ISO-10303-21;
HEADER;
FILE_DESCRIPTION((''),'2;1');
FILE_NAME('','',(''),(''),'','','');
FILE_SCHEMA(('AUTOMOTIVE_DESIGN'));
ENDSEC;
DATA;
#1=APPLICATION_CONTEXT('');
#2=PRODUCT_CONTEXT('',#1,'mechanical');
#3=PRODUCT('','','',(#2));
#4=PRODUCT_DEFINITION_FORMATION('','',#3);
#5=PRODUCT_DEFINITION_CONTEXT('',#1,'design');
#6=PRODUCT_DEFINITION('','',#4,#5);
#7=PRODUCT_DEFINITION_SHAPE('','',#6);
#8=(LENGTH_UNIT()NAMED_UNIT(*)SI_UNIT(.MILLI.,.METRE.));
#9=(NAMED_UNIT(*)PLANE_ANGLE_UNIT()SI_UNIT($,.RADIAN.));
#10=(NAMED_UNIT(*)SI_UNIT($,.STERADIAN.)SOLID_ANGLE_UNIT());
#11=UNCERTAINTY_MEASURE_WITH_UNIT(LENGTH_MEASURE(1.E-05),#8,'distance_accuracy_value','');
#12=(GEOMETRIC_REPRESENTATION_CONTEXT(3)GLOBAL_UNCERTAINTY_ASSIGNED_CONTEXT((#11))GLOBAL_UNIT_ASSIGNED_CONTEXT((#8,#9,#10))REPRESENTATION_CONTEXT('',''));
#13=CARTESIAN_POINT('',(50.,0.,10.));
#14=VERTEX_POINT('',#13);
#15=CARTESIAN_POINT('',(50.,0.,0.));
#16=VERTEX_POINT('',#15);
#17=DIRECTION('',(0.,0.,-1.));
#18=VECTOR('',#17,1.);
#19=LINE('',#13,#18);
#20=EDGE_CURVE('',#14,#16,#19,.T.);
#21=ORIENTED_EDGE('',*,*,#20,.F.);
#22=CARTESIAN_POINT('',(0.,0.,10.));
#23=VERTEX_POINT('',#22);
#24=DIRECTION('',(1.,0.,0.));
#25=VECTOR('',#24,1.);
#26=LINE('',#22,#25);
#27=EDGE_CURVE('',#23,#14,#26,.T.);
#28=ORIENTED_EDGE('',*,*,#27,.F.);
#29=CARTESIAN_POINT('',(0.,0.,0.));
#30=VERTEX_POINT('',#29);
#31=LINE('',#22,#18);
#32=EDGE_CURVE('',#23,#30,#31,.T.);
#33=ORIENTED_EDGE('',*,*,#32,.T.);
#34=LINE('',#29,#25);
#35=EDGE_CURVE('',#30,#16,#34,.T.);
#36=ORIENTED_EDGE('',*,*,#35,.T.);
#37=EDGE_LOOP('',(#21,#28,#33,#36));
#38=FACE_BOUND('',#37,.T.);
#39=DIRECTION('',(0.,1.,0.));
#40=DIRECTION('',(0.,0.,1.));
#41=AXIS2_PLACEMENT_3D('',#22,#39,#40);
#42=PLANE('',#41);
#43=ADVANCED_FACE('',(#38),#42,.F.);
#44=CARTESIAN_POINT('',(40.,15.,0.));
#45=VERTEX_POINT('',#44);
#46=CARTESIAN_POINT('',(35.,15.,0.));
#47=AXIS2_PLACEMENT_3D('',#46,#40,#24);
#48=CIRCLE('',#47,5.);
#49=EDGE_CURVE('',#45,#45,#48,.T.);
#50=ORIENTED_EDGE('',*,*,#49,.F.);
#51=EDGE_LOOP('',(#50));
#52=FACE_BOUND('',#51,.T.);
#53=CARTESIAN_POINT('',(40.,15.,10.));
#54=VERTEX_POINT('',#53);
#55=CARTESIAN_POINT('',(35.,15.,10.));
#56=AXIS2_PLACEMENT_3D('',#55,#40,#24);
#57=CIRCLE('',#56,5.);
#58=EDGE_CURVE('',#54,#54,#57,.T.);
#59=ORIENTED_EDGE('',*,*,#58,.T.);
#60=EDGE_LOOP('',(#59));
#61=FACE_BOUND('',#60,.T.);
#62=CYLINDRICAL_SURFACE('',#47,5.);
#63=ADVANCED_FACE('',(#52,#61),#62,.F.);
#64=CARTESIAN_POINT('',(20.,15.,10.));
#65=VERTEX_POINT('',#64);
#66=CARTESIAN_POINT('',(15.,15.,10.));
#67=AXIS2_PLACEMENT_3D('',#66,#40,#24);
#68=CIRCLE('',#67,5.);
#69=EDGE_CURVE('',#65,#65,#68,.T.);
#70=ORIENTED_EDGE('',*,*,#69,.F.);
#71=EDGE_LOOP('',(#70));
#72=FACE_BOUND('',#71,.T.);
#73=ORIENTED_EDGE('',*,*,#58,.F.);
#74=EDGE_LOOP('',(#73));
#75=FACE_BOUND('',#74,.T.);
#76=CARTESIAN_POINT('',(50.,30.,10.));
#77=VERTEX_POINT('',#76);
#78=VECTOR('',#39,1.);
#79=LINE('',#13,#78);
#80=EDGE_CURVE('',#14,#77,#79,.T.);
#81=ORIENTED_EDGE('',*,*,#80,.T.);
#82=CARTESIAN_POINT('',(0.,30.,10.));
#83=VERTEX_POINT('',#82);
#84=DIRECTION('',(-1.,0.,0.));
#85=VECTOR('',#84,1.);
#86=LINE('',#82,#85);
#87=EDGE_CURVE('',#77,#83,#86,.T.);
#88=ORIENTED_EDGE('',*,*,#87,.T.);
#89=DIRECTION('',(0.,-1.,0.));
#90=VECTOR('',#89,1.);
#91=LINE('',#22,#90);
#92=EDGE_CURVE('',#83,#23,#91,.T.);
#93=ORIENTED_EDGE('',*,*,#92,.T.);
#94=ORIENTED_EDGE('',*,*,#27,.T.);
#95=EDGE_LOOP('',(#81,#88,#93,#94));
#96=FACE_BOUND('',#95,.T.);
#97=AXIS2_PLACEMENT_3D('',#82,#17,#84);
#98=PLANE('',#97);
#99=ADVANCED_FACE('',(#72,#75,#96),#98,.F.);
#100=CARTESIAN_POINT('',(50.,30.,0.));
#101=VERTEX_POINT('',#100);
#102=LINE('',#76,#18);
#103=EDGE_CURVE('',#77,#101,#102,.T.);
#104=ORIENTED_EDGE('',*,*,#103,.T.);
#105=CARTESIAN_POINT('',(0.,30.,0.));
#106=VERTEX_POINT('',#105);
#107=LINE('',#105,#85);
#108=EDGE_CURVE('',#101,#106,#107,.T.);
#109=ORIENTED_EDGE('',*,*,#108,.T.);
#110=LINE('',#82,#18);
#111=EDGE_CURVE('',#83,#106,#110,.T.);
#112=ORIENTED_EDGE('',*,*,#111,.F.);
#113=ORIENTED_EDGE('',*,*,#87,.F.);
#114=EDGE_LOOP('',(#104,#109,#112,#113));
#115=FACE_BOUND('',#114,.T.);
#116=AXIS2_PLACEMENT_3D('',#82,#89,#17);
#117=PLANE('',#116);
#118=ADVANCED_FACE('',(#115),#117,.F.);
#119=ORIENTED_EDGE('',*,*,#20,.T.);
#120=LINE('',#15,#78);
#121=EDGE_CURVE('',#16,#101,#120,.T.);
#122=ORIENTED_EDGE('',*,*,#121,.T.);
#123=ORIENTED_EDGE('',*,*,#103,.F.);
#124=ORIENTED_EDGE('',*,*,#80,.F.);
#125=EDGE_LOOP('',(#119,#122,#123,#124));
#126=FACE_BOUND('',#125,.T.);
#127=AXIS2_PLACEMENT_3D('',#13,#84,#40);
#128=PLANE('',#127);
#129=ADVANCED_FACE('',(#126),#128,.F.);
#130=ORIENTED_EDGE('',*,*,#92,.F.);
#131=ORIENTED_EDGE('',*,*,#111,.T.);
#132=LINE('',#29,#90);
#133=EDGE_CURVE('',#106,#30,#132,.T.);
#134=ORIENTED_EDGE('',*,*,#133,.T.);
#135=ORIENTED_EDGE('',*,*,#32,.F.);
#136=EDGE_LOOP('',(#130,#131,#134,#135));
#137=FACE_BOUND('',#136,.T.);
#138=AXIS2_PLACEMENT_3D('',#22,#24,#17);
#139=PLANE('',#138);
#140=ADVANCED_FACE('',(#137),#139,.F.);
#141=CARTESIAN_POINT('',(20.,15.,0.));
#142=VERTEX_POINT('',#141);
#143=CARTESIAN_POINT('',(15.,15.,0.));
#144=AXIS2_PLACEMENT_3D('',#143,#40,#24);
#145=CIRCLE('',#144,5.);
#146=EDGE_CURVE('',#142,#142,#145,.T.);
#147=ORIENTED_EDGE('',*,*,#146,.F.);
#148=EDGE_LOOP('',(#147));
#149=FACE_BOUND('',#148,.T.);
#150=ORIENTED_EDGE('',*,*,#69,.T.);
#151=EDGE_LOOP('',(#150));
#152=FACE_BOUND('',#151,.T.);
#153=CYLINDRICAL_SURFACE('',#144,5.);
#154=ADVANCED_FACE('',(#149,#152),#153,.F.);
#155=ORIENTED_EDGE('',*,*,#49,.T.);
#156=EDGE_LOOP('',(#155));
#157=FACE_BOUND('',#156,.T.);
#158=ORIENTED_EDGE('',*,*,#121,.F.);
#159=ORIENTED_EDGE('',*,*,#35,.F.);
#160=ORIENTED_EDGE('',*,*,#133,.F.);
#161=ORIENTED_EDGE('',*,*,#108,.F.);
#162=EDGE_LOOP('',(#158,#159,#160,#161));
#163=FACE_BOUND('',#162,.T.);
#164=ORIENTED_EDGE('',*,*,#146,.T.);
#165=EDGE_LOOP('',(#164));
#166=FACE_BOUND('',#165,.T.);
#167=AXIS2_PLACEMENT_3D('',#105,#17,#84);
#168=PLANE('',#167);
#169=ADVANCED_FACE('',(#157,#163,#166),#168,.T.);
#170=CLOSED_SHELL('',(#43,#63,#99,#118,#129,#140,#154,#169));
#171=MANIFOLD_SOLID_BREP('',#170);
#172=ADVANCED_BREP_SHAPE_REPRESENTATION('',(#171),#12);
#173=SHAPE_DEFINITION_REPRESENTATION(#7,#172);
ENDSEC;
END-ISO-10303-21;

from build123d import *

# Parameters (mm, degrees)
SKETCH1_W           = 50
SKETCH1_H           = 30
BOSS_EXTRUDE1_DEPTH = 10
SKETCH2_R           = 5
CUT_EXTRUDE1_DEPTH  = 11


with BuildPart() as part:
    # Sketch1 → Boss-Extrude1 (new body)
    with BuildSketch(Plane.XY):
        with Locations((25, 15)):
            Rectangle(SKETCH1_W, SKETCH1_H)
    extrude(amount=BOSS_EXTRUDE1_DEPTH)

    # Sketch2 → Cut-Extrude1 (cut, through all)
    with BuildSketch(Plane.XY.offset(10)):
        with Locations((15, 15)):
            Circle(SKETCH2_R)
        with Locations((35, 15)):
            Circle(SKETCH2_R)
    extrude(amount=-CUT_EXTRUDE1_DEPTH, mode=Mode.SUBTRACT)


solid = part.part
